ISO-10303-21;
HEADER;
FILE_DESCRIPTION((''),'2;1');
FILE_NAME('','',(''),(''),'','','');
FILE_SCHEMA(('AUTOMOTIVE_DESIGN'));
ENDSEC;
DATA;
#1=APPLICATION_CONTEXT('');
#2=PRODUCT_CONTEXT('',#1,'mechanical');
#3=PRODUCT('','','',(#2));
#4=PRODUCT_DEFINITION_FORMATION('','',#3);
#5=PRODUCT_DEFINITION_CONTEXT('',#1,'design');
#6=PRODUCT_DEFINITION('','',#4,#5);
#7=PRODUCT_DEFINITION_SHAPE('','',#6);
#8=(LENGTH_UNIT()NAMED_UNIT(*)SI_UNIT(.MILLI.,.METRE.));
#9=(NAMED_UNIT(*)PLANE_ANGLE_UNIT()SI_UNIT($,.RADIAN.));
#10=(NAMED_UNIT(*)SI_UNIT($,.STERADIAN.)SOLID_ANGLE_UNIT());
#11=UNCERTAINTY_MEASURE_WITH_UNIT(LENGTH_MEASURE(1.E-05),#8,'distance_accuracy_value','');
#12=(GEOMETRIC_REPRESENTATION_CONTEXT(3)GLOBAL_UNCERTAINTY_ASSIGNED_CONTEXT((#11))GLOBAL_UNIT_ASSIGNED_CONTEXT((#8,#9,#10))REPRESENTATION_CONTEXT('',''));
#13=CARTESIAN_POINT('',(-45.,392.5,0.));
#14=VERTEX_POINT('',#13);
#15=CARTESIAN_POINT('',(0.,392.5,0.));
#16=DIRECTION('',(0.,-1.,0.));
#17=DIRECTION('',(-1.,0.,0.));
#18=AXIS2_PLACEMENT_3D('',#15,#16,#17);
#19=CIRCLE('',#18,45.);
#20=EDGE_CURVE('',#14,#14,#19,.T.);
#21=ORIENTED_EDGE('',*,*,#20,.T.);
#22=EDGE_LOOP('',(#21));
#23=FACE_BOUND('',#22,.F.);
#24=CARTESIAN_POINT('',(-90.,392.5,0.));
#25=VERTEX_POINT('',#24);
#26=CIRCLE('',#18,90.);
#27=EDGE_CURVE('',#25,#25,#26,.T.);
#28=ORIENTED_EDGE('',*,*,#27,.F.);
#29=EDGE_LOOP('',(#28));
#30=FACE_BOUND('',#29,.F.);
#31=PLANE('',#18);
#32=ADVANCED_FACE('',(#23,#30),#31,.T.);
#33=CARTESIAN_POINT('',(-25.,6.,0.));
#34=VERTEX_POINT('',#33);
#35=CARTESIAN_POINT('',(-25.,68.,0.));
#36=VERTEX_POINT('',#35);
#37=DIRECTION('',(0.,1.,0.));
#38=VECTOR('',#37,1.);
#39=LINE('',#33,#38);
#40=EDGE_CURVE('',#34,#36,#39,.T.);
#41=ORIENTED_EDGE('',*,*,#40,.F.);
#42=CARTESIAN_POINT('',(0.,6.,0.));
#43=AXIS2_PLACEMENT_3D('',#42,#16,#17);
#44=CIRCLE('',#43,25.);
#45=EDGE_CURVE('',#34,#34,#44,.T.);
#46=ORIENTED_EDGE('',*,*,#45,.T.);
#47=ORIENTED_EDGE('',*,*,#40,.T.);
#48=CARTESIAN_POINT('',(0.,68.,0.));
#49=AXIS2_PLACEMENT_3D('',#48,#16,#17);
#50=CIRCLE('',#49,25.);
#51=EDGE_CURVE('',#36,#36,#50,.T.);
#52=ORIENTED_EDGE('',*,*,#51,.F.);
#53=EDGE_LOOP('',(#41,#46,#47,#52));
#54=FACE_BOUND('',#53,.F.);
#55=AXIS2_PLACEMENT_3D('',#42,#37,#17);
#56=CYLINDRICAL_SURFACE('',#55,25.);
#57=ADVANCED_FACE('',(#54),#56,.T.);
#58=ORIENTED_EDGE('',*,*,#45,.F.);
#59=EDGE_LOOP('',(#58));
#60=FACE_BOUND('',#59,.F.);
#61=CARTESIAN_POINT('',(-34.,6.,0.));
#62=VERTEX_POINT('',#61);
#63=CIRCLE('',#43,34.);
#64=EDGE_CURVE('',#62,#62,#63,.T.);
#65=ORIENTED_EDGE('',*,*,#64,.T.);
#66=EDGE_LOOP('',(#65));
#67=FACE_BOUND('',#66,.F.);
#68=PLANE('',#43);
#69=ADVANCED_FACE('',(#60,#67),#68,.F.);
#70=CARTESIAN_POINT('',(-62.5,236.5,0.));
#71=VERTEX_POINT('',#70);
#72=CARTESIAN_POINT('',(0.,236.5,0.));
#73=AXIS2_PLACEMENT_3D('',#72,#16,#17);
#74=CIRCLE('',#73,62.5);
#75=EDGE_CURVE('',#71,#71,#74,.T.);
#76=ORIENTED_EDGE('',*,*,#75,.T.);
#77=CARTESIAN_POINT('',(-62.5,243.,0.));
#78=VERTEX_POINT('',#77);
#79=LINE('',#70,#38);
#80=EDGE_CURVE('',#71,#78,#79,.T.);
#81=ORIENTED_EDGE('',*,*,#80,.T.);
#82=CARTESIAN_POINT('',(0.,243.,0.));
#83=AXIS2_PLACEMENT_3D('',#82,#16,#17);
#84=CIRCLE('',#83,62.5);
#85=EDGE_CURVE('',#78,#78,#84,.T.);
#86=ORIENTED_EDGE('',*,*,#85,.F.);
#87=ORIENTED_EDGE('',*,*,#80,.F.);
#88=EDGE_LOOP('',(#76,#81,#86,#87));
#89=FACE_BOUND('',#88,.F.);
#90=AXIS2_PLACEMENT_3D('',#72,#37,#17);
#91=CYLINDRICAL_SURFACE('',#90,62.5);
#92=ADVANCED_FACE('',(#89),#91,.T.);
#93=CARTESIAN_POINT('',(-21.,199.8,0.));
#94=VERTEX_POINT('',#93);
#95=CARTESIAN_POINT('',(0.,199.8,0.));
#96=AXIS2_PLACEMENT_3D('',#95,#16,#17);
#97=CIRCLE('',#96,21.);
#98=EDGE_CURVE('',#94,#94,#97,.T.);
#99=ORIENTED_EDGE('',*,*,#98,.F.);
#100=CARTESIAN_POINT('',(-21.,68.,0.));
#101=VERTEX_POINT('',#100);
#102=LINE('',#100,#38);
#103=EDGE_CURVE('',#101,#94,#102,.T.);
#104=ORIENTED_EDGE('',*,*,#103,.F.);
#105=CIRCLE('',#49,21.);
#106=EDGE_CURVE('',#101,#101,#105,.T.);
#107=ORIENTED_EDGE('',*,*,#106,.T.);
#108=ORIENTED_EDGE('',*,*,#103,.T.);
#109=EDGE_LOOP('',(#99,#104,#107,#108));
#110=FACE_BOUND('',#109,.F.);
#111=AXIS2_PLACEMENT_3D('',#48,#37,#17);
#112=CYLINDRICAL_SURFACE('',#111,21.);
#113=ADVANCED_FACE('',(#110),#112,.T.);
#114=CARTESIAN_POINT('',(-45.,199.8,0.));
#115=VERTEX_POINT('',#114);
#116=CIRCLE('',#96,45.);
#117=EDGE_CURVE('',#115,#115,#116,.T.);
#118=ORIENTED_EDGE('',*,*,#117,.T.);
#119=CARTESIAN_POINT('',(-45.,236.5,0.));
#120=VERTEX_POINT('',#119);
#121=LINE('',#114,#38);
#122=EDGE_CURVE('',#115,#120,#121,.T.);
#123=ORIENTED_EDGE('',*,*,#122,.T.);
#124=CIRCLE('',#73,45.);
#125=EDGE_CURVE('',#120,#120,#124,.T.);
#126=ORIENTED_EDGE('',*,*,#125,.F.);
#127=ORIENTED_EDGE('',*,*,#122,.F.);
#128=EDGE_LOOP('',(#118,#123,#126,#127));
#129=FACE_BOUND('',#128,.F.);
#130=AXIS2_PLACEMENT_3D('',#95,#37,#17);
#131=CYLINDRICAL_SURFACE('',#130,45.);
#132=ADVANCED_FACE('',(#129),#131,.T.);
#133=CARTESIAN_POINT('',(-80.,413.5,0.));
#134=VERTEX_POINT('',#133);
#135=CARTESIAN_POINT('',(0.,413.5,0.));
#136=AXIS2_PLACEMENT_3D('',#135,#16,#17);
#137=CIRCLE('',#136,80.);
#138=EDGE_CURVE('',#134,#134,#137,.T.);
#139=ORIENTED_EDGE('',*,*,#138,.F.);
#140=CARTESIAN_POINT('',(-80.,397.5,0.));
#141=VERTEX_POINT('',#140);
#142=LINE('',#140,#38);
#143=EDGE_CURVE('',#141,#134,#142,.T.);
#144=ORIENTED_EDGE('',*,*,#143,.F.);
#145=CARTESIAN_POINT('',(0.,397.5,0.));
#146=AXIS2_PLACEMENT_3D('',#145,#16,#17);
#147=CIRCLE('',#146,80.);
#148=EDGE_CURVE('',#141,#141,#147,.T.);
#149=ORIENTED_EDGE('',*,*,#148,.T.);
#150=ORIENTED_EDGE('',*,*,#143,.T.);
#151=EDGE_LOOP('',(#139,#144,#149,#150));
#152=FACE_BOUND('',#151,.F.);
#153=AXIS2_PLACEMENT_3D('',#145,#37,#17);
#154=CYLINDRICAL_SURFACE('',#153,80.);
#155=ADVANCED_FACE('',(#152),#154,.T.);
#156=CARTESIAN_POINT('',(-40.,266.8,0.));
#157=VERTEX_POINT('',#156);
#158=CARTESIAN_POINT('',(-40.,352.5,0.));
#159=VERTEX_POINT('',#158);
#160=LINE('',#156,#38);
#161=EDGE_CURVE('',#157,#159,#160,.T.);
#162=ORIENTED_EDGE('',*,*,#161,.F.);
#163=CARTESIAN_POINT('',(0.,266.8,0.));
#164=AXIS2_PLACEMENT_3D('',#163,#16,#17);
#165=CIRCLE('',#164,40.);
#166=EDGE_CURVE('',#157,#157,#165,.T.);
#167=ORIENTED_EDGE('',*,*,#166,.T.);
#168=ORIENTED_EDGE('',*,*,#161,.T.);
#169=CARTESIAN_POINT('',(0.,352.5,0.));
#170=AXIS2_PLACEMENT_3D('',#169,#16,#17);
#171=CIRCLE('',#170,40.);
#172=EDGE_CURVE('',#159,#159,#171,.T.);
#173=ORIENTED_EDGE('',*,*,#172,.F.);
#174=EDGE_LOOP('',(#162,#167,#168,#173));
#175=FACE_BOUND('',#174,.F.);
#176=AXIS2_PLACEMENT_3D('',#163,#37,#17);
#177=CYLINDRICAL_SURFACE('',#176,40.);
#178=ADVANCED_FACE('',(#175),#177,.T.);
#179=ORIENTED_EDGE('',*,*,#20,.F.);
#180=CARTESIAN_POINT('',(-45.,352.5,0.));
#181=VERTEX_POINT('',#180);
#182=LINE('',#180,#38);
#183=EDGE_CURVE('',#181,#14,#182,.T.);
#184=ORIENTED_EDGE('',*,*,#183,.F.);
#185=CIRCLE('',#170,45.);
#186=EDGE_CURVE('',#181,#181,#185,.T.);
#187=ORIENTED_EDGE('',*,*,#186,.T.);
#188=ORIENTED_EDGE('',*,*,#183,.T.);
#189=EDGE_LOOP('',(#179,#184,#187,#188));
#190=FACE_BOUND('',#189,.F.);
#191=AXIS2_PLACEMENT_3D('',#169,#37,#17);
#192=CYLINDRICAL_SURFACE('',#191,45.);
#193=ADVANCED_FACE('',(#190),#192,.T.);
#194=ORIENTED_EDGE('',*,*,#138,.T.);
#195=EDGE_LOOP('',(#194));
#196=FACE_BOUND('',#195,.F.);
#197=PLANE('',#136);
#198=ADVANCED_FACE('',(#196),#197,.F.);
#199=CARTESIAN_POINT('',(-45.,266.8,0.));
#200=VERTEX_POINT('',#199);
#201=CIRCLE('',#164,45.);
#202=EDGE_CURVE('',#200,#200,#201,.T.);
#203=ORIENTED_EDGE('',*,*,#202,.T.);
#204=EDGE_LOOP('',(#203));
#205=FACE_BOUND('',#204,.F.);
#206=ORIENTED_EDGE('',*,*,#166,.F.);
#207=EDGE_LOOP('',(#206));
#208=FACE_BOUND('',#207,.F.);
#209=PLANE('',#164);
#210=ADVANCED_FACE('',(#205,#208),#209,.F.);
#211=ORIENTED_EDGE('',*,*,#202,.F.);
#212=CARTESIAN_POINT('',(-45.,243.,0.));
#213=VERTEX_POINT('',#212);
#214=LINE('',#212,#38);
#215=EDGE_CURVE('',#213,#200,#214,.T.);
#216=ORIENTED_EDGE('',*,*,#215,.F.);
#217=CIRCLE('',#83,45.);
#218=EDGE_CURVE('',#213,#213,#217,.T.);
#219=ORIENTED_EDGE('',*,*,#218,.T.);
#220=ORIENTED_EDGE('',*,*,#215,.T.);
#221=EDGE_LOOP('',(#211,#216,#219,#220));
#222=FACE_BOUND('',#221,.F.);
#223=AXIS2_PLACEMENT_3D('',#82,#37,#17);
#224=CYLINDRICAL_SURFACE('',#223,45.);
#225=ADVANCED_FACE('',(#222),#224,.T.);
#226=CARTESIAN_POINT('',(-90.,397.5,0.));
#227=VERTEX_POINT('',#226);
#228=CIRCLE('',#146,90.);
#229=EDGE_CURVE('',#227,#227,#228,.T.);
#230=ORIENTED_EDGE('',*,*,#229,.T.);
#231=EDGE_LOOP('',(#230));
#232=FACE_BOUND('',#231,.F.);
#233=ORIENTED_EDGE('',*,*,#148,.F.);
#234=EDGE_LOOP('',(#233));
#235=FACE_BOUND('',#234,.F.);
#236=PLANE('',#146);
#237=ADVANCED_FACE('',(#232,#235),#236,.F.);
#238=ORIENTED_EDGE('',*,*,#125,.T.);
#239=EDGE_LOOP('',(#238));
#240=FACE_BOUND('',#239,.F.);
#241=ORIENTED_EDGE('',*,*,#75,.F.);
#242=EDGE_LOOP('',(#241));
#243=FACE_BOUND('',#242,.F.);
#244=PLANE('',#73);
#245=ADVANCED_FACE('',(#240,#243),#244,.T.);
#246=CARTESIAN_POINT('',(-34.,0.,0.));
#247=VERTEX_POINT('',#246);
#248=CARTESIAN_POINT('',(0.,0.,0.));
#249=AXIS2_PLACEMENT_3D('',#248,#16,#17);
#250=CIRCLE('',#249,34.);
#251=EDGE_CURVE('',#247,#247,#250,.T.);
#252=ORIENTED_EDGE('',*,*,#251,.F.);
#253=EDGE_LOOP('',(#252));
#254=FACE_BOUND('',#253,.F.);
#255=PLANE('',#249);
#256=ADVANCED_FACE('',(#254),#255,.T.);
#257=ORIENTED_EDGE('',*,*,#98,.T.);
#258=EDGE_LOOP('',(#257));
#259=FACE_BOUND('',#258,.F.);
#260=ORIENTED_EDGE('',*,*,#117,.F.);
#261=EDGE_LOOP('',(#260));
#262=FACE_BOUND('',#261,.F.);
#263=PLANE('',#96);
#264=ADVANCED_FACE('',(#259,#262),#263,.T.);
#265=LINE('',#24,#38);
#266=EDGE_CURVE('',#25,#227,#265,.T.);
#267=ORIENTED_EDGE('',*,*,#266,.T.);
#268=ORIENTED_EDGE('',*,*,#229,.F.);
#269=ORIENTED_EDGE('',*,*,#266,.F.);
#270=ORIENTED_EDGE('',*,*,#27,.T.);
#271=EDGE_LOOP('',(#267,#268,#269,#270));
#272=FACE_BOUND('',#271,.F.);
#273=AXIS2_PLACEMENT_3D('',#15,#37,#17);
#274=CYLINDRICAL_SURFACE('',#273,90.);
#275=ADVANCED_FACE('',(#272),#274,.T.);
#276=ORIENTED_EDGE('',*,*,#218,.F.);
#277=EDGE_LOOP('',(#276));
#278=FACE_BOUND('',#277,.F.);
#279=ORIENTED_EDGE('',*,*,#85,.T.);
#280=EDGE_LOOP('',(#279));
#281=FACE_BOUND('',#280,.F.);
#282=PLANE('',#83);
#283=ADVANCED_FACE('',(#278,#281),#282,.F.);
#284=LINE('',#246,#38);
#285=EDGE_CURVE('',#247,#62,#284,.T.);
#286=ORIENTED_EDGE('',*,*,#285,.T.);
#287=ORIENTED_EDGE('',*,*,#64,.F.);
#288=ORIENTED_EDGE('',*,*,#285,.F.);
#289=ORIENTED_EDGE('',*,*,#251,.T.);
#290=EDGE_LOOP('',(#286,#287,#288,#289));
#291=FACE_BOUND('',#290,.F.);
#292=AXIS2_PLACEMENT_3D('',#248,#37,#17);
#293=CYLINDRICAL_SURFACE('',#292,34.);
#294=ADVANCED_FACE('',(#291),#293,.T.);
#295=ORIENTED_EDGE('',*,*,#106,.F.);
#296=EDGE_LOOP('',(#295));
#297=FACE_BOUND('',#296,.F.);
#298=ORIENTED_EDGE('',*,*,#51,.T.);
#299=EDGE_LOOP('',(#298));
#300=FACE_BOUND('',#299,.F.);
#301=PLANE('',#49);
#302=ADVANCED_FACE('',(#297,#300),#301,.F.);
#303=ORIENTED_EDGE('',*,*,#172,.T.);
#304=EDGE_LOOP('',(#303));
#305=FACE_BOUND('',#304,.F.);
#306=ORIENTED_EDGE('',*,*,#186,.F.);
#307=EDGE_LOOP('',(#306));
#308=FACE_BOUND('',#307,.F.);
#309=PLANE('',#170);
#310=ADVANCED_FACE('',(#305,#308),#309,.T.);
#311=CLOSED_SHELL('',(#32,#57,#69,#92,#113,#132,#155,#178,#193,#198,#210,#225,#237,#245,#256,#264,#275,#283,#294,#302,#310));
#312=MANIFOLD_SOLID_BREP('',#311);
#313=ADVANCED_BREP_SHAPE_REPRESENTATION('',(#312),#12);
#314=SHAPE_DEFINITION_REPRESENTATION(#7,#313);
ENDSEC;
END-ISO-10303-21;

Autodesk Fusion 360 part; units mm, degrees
sketch "Sketch1" plane through (0, 0, 0) normal (0, 0, 1) x (1, 0, 0)
  line L0 (0, 0) -> (-34, 0)
  line L1 (-34, 0) -> (-34, 6)
  line L2 (-34, 6) -> (-25, 6)
  line L3 (-25, 6) -> (-25, 68)
  line L4 (-25, 68) -> (-21, 68)
  line L5 (-21, 68) -> (-21, 199.8)
  line L6 (-21, 199.8) -> (-45, 199.8)
  line L7 (-45, 199.8) -> (-45, 236.5)
  line L8 (-45, 236.5) -> (-62.5, 236.5)
  line L9 (-62.5, 236.5) -> (-62.5, 243)
  line L10 (-62.5, 243) -> (-45, 243)
  line L11 (-45, 243) -> (-45, 266.8)
  line L12 (-45, 266.8) -> (-40, 266.8)
  line L13 (-40, 266.8) -> (-40, 352.5)
  line L14 (-40, 352.5) -> (-45, 352.5)
  line L15 (-45, 352.5) -> (-45, 392.5)
  line L16 (-45, 392.5) -> (-90, 392.5)
  line L17 (-90, 392.5) -> (-90, 397.5)
  line L18 (-90, 397.5) -> (0, 397.5)
  line L19 (0, 397.5) -> (0, 0)
  line L20 (-80, 397.5) -> (-80, 413.5)
  line L21 (-80, 413.5) -> (0, 413.5)
  line L22 (0, 413.5) -> (0, 397.5)
  dimension "d1" = 34
  dimension "d2" = 25
  dimension "d3" = 6
  dimension "d5" = 90
  dimension "d6" = 5
  dimension "d7" = 45
  dimension "d8" = 62.5
  dimension "d9" = 6.5
  dimension "d10" = 68
  dimension "d11" = 236.5
  dimension "d12" = 67
  dimension "d13" = 192.7
  dimension "d14" = 5
  dimension "d15" = 40
  dimension "d16" = 4
  dimension "d17" = 392.5
  dimension "d18" = 21
  dimension "d19" = 10
revolve "Revolve1" add sketch "Sketch1" angle 360 about axis through (0, 397.5, 0) along (0, -1, 0)
equation "d8 = ( 125 / 2 ) * 1 mm"
